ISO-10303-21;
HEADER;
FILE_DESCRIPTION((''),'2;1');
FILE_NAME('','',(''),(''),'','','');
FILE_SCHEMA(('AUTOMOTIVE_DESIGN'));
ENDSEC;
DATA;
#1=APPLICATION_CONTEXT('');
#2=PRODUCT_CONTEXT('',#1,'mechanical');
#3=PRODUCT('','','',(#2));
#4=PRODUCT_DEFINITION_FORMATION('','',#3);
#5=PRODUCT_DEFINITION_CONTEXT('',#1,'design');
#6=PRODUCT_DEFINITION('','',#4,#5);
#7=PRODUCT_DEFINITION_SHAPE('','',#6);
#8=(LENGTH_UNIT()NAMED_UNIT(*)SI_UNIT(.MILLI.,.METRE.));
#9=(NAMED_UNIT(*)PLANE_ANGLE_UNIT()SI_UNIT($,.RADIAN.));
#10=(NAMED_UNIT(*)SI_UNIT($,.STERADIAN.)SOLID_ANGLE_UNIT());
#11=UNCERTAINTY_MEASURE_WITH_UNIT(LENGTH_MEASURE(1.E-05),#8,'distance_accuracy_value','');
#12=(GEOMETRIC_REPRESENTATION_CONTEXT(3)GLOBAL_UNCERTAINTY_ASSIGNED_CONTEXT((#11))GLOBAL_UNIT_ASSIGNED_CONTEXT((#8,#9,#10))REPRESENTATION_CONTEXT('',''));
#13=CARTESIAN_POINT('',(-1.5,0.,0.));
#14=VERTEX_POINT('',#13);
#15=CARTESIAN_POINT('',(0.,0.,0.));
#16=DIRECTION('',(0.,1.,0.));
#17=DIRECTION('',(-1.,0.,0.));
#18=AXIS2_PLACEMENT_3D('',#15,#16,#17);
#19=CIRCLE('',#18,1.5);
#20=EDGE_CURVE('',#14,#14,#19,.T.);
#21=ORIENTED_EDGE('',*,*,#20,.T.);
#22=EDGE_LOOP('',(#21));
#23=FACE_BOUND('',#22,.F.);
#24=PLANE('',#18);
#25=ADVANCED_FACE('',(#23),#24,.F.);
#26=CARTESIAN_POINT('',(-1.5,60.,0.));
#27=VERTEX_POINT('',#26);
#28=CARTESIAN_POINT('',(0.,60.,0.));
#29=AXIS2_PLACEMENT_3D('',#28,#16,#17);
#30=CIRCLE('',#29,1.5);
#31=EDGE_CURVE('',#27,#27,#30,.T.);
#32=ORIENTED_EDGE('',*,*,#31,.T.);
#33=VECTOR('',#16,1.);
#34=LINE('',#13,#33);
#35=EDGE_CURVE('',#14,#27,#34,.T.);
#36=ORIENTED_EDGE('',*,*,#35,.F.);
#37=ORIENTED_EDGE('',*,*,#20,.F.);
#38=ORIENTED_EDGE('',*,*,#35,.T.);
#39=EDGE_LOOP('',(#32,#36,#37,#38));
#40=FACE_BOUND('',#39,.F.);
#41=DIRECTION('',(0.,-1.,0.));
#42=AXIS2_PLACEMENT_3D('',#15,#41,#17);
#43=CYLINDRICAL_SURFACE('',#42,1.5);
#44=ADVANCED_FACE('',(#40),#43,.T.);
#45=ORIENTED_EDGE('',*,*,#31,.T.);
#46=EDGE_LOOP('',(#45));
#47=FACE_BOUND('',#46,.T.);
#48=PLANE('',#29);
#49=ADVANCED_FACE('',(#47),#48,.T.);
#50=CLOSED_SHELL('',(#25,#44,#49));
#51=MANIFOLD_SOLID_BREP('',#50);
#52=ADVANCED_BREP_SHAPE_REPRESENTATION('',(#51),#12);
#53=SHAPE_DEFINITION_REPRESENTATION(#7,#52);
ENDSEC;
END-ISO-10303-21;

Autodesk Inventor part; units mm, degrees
ref_plane "YZ Plane" through (0, 0, 0) normal (1, 0, 0) x (0, 1, 0)
ref_plane "XZ Plane" through (0, 0, 0) normal (0, 1, 0) x (-1, 0, 0)
ref_plane "XY Plane" through (0, 0, 0) normal (0, 0, 1) x (1, 0, 0)
sketch "Sketch1" plane through (0, 0, 0) normal (0, 1, 0) x (-1, 0, 0)
  circle A0 centre (0, 0) radius 1.5
  dimension "d0" = 3
extrude "Extrusion1" add sketch "Sketch1" along normal blind 60
properties part number "M3 Rod"
